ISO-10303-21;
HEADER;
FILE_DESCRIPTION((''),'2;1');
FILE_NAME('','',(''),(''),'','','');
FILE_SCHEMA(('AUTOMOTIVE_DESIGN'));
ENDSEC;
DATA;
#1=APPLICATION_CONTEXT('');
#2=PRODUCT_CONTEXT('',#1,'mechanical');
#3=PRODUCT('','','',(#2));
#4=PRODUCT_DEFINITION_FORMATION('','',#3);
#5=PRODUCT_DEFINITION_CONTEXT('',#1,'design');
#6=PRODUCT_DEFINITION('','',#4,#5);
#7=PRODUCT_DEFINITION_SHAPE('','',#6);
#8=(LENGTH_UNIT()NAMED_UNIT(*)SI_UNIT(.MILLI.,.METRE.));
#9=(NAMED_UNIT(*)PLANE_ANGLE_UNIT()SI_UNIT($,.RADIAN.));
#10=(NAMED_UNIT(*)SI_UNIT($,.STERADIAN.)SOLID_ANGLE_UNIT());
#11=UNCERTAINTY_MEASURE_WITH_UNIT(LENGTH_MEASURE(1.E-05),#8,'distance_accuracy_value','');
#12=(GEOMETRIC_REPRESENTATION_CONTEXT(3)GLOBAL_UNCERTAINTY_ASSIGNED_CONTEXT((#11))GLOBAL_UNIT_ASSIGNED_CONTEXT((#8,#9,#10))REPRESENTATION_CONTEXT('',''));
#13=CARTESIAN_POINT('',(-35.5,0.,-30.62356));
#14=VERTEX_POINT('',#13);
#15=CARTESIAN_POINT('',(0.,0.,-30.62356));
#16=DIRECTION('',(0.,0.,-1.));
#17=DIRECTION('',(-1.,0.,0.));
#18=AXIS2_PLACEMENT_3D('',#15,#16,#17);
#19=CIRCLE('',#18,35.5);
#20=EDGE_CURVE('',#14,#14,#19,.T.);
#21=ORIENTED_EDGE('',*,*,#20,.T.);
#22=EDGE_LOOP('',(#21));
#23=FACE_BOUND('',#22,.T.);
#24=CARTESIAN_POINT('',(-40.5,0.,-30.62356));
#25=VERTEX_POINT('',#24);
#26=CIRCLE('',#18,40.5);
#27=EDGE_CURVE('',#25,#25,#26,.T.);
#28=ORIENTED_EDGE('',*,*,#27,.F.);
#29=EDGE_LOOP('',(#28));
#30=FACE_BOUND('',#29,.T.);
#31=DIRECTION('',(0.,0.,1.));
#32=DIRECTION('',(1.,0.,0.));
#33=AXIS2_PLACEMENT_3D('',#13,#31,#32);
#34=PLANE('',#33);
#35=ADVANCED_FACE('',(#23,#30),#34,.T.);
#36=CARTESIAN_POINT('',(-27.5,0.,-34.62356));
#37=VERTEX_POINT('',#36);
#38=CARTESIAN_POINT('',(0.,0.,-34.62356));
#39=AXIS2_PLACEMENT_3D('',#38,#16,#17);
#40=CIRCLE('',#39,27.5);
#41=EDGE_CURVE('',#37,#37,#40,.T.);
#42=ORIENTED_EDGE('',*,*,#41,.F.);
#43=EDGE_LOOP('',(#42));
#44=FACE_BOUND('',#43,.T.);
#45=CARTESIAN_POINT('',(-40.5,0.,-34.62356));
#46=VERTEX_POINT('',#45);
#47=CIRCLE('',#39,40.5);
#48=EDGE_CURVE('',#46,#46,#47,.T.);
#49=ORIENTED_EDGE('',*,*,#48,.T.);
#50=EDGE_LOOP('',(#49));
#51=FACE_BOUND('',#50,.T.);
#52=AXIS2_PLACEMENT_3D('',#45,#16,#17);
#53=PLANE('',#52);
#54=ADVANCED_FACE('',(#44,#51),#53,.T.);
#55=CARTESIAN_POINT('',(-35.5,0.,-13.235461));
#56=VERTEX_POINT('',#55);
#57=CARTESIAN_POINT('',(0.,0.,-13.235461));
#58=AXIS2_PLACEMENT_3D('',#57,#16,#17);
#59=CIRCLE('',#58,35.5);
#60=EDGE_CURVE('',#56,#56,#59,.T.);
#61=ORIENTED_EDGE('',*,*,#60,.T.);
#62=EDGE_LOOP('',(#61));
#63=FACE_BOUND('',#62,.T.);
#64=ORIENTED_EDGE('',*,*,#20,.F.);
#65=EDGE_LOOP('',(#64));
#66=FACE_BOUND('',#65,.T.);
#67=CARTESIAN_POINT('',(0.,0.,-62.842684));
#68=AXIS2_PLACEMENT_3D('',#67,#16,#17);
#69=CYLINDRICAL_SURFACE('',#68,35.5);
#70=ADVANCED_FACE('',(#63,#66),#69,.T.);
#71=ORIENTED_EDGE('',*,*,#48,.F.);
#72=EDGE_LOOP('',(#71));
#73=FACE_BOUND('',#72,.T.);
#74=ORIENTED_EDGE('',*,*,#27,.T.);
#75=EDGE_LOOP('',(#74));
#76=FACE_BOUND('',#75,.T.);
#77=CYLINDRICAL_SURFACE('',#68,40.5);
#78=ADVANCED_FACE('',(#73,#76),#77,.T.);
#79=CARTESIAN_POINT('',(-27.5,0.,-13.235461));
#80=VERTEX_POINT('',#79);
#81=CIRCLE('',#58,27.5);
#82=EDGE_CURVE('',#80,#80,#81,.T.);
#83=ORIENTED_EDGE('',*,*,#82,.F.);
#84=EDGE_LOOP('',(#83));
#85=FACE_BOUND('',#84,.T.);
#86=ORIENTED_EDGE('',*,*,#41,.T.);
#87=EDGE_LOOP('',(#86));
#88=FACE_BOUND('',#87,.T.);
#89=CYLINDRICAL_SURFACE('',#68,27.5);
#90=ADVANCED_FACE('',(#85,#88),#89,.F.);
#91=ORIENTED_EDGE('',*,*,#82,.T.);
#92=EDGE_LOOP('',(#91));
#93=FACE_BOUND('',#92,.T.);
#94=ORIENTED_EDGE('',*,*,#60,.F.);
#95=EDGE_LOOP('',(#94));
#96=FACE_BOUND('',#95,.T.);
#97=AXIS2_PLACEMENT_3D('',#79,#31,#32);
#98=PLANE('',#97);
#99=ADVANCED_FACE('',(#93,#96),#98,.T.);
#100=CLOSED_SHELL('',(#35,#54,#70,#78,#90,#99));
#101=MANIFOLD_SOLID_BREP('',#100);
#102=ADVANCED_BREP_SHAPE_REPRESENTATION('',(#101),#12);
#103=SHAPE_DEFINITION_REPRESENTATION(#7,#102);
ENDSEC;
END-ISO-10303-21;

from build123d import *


with BuildPart() as part:
    # Sketch1 → Revolve1 (revolve)
    with BuildSketch(Plane(origin=(0, 0, 0), x_dir=(1, 0, 0), z_dir=(0, 1, 0))):
        Polygon((-27.5, 30.623559799), (-27.5, 13.235461059), (-35.5, 13.235461059), (-35.5, 30.623559799), (-40.5, 30.623559799), (-40.5, 34.623559799), (-27.5, 34.623559799), align=None)
    revolve(axis=Axis((0, 0, -62.842683934), (0, 0, 1)))


solid = part.part
